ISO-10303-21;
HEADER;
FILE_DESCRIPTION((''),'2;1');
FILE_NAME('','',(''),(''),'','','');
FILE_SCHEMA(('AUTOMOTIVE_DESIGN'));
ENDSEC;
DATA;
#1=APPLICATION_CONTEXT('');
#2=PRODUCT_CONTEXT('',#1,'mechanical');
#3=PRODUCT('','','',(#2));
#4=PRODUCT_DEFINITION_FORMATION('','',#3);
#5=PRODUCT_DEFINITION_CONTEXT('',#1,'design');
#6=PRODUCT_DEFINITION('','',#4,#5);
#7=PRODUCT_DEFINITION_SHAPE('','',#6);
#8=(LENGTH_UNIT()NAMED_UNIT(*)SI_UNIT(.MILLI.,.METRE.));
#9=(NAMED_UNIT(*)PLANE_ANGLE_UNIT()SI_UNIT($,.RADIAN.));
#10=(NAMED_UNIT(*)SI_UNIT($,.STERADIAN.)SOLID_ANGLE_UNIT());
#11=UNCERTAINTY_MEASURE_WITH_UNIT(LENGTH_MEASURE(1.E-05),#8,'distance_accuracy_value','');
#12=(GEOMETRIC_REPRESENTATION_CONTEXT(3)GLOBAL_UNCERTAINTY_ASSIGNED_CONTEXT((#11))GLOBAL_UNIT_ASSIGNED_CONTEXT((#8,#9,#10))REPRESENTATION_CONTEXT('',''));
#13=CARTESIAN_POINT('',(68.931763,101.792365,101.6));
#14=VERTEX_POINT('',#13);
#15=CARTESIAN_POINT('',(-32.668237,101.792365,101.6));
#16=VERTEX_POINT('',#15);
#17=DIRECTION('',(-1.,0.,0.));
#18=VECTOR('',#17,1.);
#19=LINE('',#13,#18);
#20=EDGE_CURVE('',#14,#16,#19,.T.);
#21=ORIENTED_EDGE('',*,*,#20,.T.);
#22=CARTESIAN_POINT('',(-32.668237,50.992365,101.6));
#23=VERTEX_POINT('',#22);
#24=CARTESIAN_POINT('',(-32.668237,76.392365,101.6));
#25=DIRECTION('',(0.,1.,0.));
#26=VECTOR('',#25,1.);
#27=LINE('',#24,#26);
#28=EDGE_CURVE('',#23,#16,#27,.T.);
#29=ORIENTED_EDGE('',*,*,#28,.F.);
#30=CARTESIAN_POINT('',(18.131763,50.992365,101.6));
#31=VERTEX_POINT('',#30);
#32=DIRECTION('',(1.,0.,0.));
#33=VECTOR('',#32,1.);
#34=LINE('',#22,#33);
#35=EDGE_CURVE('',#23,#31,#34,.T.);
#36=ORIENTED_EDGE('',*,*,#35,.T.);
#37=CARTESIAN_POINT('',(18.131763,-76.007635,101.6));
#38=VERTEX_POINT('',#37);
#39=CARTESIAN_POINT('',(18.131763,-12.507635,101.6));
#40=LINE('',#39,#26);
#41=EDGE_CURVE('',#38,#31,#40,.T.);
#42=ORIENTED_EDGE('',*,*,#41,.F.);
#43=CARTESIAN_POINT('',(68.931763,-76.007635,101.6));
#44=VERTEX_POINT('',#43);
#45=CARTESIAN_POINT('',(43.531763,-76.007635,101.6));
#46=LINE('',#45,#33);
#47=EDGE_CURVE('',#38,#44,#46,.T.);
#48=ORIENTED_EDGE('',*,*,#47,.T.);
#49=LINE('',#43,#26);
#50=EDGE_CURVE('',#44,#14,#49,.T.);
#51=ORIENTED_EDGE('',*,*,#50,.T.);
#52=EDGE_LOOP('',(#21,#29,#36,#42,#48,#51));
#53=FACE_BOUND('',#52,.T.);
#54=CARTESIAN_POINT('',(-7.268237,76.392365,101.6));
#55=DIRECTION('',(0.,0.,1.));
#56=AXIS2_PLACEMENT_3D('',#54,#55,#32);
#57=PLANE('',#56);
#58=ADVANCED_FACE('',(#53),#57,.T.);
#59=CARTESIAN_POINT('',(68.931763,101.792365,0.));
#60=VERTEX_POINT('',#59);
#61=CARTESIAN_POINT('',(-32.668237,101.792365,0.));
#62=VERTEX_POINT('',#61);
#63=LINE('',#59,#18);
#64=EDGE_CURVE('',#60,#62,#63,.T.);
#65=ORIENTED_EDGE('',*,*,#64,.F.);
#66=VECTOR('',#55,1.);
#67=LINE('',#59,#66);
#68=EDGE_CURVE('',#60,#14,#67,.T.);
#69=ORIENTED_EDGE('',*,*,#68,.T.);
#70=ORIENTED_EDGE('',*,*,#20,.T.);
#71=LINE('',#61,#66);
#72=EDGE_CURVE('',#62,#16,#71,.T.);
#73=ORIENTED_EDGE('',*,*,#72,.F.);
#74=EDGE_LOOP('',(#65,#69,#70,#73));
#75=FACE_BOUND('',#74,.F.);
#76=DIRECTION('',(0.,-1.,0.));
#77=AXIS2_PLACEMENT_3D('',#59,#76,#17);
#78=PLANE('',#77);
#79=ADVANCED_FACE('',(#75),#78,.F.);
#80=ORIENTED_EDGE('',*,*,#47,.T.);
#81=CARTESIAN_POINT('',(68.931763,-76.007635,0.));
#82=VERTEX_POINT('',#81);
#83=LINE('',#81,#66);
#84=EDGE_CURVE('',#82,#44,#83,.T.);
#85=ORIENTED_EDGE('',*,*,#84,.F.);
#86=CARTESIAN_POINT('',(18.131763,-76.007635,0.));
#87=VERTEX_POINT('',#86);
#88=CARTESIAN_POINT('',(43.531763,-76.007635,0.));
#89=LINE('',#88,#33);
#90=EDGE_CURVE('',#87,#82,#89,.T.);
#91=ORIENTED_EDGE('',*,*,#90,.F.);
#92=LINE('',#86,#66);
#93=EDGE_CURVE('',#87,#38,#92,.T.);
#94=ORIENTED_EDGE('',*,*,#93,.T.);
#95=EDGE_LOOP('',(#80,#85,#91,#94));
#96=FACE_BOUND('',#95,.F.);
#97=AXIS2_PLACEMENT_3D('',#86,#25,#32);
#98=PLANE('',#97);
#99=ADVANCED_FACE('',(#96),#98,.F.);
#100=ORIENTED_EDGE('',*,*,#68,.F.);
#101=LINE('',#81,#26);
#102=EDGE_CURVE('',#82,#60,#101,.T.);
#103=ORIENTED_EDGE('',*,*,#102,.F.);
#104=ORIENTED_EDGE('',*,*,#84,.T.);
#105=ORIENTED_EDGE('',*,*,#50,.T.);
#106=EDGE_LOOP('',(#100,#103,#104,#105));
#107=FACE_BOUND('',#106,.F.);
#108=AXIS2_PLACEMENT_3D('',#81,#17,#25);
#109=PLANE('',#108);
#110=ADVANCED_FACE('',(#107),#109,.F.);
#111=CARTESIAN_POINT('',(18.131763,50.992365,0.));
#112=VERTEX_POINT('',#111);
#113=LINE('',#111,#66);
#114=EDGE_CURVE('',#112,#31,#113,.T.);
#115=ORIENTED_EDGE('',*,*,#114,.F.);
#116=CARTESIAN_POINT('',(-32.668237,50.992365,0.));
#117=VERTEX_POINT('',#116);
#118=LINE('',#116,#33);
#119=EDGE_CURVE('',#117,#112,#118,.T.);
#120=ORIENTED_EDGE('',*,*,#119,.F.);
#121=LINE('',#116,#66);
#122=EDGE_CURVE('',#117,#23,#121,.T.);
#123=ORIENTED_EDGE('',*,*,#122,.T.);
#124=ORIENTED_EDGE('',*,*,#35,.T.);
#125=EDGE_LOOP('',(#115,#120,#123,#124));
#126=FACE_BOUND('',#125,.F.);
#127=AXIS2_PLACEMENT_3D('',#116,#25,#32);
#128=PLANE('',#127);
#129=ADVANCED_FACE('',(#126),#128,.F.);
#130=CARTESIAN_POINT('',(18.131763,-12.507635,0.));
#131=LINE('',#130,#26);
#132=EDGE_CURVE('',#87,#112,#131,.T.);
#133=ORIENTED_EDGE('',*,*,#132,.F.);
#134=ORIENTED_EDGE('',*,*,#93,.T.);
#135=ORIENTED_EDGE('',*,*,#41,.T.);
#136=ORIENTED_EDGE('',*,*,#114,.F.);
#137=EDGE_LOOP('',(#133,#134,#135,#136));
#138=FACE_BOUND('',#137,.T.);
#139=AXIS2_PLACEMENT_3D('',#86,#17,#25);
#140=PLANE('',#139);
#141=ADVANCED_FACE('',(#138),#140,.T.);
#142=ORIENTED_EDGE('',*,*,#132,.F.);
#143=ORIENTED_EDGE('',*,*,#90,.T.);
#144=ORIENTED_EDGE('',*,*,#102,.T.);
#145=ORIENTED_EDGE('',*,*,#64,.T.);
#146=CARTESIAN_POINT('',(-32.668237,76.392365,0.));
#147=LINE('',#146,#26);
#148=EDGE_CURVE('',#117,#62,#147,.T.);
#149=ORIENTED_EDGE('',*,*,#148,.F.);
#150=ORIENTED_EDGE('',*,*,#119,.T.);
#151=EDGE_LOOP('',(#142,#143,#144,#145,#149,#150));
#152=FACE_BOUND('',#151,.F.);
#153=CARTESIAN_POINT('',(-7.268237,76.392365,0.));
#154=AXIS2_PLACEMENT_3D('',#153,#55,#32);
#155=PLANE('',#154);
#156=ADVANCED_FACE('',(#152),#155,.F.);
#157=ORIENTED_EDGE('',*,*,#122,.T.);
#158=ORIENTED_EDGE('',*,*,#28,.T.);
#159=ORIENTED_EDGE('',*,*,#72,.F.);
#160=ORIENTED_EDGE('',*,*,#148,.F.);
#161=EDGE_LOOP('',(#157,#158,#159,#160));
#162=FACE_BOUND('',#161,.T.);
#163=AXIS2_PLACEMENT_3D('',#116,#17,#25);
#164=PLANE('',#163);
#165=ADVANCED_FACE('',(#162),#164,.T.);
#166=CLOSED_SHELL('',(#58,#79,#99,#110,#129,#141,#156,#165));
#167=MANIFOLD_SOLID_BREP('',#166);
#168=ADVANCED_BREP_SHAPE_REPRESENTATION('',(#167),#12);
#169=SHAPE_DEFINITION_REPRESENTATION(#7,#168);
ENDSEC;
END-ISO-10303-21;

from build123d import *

# Parameters (mm, degrees)
F0_W     = 50.8
F0_H     = 50.8
F0_H_2   = 127
F1_DEPTH = 101.6


with BuildPart() as f1:
    # F0 (on Top) → F1 (new body)
    with BuildSketch(Plane.XY):
        with Locations((-7.268237, 76.392365)):
            Rectangle(F0_W, F0_H)
        with Locations((43.531763, 76.392365)):
            Rectangle(F0_W, F0_H)
        with Locations((43.531763, -12.507635)):
            Rectangle(F0_W, F0_H_2)
    extrude(amount=F1_DEPTH)


solid = f1.part
